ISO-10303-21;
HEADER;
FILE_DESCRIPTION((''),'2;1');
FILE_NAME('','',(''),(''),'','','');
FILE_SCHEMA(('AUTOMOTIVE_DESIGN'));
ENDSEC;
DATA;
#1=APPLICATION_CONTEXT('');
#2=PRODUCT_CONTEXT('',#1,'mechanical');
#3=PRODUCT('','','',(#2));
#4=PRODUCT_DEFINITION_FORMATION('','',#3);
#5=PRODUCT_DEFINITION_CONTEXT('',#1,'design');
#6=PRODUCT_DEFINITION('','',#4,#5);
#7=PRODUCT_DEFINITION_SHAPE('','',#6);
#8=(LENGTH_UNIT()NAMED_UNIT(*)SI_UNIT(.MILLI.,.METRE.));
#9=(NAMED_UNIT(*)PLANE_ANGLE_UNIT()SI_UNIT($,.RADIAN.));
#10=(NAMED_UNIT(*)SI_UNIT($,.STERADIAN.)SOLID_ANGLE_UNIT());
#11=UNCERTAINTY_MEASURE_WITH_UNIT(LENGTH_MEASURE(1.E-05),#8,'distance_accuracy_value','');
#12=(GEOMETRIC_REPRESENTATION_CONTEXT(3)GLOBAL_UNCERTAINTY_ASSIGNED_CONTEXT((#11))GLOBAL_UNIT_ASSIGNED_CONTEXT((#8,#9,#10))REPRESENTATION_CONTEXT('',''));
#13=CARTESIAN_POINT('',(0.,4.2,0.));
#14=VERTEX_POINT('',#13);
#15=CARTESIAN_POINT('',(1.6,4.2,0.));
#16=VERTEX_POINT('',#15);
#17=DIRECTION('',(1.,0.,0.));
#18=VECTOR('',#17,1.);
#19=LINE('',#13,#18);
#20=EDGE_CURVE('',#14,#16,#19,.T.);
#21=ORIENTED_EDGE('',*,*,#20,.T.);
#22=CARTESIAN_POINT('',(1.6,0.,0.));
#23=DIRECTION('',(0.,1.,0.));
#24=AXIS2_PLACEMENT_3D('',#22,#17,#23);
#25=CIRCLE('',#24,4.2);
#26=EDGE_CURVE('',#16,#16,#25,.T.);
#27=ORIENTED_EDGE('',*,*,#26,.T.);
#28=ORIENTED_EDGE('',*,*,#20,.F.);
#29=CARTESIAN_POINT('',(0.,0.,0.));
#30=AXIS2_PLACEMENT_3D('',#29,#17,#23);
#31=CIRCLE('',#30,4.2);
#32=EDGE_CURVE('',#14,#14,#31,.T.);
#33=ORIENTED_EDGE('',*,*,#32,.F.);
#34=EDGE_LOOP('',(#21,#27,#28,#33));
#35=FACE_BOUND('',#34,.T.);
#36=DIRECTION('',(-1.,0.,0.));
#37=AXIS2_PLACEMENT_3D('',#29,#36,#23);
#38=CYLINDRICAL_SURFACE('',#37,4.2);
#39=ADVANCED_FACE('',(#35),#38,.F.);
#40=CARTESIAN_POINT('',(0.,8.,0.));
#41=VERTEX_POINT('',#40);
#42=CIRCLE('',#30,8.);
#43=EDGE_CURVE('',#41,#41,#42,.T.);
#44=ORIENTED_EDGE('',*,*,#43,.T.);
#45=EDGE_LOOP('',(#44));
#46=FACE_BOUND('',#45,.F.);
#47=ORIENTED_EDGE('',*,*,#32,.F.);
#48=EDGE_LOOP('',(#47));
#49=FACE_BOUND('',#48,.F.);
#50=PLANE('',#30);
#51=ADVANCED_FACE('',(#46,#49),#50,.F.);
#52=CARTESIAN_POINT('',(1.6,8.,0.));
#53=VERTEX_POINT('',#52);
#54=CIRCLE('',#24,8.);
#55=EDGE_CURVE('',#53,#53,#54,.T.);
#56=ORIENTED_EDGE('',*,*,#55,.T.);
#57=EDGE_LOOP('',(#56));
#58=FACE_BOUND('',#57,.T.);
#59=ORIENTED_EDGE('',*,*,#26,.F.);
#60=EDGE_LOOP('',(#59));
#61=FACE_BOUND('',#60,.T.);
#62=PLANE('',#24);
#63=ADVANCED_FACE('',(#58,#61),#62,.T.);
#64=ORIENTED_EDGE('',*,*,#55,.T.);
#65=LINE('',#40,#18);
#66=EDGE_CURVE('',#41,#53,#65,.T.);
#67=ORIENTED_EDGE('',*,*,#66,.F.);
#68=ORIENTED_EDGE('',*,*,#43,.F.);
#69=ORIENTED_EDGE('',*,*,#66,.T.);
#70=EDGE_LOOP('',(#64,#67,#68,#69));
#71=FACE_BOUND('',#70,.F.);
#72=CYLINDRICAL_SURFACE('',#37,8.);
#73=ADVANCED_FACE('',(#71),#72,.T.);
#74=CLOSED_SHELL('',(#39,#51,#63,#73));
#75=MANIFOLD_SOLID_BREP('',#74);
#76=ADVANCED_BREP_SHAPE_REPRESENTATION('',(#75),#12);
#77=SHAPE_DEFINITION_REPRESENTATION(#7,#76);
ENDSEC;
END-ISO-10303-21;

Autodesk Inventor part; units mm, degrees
ref_plane "YZ Plane" through (0, 0, 0) normal (1, 0, 0) x (0, 1, 0)
ref_plane "XZ Plane" through (0, 0, 0) normal (0, 1, 0) x (-1, 0, 0)
sketch "Sketch" plane through (0, 0, 0) normal (1, 0, 0) x (0, 1, 0)
  circle A0 centre (0, 0) radius 8
  circle A1 centre (0, 0) radius 4.2
  dimension "d0" = 8.4
  dimension "d1" = 16
extrude "Body" add sketch "Sketch" along normal blind 1.6
ref_plane "Work Plane1" through (0, 0, 0) normal (0, 0, 1) x (1, 0, 0)
equation "\"d0\" = SD1"
equation "\"d1\" = SD2"
equation "\"d2\" = SD"
equation "\"SD1\" = 8.4"
equation "\"SD2\" = 16"
equation "\"SD\" = 1.6"
equation "\"NND\" = 8"
properties part number "DIN 125 - A 8.4" material "Stainless Steel"
